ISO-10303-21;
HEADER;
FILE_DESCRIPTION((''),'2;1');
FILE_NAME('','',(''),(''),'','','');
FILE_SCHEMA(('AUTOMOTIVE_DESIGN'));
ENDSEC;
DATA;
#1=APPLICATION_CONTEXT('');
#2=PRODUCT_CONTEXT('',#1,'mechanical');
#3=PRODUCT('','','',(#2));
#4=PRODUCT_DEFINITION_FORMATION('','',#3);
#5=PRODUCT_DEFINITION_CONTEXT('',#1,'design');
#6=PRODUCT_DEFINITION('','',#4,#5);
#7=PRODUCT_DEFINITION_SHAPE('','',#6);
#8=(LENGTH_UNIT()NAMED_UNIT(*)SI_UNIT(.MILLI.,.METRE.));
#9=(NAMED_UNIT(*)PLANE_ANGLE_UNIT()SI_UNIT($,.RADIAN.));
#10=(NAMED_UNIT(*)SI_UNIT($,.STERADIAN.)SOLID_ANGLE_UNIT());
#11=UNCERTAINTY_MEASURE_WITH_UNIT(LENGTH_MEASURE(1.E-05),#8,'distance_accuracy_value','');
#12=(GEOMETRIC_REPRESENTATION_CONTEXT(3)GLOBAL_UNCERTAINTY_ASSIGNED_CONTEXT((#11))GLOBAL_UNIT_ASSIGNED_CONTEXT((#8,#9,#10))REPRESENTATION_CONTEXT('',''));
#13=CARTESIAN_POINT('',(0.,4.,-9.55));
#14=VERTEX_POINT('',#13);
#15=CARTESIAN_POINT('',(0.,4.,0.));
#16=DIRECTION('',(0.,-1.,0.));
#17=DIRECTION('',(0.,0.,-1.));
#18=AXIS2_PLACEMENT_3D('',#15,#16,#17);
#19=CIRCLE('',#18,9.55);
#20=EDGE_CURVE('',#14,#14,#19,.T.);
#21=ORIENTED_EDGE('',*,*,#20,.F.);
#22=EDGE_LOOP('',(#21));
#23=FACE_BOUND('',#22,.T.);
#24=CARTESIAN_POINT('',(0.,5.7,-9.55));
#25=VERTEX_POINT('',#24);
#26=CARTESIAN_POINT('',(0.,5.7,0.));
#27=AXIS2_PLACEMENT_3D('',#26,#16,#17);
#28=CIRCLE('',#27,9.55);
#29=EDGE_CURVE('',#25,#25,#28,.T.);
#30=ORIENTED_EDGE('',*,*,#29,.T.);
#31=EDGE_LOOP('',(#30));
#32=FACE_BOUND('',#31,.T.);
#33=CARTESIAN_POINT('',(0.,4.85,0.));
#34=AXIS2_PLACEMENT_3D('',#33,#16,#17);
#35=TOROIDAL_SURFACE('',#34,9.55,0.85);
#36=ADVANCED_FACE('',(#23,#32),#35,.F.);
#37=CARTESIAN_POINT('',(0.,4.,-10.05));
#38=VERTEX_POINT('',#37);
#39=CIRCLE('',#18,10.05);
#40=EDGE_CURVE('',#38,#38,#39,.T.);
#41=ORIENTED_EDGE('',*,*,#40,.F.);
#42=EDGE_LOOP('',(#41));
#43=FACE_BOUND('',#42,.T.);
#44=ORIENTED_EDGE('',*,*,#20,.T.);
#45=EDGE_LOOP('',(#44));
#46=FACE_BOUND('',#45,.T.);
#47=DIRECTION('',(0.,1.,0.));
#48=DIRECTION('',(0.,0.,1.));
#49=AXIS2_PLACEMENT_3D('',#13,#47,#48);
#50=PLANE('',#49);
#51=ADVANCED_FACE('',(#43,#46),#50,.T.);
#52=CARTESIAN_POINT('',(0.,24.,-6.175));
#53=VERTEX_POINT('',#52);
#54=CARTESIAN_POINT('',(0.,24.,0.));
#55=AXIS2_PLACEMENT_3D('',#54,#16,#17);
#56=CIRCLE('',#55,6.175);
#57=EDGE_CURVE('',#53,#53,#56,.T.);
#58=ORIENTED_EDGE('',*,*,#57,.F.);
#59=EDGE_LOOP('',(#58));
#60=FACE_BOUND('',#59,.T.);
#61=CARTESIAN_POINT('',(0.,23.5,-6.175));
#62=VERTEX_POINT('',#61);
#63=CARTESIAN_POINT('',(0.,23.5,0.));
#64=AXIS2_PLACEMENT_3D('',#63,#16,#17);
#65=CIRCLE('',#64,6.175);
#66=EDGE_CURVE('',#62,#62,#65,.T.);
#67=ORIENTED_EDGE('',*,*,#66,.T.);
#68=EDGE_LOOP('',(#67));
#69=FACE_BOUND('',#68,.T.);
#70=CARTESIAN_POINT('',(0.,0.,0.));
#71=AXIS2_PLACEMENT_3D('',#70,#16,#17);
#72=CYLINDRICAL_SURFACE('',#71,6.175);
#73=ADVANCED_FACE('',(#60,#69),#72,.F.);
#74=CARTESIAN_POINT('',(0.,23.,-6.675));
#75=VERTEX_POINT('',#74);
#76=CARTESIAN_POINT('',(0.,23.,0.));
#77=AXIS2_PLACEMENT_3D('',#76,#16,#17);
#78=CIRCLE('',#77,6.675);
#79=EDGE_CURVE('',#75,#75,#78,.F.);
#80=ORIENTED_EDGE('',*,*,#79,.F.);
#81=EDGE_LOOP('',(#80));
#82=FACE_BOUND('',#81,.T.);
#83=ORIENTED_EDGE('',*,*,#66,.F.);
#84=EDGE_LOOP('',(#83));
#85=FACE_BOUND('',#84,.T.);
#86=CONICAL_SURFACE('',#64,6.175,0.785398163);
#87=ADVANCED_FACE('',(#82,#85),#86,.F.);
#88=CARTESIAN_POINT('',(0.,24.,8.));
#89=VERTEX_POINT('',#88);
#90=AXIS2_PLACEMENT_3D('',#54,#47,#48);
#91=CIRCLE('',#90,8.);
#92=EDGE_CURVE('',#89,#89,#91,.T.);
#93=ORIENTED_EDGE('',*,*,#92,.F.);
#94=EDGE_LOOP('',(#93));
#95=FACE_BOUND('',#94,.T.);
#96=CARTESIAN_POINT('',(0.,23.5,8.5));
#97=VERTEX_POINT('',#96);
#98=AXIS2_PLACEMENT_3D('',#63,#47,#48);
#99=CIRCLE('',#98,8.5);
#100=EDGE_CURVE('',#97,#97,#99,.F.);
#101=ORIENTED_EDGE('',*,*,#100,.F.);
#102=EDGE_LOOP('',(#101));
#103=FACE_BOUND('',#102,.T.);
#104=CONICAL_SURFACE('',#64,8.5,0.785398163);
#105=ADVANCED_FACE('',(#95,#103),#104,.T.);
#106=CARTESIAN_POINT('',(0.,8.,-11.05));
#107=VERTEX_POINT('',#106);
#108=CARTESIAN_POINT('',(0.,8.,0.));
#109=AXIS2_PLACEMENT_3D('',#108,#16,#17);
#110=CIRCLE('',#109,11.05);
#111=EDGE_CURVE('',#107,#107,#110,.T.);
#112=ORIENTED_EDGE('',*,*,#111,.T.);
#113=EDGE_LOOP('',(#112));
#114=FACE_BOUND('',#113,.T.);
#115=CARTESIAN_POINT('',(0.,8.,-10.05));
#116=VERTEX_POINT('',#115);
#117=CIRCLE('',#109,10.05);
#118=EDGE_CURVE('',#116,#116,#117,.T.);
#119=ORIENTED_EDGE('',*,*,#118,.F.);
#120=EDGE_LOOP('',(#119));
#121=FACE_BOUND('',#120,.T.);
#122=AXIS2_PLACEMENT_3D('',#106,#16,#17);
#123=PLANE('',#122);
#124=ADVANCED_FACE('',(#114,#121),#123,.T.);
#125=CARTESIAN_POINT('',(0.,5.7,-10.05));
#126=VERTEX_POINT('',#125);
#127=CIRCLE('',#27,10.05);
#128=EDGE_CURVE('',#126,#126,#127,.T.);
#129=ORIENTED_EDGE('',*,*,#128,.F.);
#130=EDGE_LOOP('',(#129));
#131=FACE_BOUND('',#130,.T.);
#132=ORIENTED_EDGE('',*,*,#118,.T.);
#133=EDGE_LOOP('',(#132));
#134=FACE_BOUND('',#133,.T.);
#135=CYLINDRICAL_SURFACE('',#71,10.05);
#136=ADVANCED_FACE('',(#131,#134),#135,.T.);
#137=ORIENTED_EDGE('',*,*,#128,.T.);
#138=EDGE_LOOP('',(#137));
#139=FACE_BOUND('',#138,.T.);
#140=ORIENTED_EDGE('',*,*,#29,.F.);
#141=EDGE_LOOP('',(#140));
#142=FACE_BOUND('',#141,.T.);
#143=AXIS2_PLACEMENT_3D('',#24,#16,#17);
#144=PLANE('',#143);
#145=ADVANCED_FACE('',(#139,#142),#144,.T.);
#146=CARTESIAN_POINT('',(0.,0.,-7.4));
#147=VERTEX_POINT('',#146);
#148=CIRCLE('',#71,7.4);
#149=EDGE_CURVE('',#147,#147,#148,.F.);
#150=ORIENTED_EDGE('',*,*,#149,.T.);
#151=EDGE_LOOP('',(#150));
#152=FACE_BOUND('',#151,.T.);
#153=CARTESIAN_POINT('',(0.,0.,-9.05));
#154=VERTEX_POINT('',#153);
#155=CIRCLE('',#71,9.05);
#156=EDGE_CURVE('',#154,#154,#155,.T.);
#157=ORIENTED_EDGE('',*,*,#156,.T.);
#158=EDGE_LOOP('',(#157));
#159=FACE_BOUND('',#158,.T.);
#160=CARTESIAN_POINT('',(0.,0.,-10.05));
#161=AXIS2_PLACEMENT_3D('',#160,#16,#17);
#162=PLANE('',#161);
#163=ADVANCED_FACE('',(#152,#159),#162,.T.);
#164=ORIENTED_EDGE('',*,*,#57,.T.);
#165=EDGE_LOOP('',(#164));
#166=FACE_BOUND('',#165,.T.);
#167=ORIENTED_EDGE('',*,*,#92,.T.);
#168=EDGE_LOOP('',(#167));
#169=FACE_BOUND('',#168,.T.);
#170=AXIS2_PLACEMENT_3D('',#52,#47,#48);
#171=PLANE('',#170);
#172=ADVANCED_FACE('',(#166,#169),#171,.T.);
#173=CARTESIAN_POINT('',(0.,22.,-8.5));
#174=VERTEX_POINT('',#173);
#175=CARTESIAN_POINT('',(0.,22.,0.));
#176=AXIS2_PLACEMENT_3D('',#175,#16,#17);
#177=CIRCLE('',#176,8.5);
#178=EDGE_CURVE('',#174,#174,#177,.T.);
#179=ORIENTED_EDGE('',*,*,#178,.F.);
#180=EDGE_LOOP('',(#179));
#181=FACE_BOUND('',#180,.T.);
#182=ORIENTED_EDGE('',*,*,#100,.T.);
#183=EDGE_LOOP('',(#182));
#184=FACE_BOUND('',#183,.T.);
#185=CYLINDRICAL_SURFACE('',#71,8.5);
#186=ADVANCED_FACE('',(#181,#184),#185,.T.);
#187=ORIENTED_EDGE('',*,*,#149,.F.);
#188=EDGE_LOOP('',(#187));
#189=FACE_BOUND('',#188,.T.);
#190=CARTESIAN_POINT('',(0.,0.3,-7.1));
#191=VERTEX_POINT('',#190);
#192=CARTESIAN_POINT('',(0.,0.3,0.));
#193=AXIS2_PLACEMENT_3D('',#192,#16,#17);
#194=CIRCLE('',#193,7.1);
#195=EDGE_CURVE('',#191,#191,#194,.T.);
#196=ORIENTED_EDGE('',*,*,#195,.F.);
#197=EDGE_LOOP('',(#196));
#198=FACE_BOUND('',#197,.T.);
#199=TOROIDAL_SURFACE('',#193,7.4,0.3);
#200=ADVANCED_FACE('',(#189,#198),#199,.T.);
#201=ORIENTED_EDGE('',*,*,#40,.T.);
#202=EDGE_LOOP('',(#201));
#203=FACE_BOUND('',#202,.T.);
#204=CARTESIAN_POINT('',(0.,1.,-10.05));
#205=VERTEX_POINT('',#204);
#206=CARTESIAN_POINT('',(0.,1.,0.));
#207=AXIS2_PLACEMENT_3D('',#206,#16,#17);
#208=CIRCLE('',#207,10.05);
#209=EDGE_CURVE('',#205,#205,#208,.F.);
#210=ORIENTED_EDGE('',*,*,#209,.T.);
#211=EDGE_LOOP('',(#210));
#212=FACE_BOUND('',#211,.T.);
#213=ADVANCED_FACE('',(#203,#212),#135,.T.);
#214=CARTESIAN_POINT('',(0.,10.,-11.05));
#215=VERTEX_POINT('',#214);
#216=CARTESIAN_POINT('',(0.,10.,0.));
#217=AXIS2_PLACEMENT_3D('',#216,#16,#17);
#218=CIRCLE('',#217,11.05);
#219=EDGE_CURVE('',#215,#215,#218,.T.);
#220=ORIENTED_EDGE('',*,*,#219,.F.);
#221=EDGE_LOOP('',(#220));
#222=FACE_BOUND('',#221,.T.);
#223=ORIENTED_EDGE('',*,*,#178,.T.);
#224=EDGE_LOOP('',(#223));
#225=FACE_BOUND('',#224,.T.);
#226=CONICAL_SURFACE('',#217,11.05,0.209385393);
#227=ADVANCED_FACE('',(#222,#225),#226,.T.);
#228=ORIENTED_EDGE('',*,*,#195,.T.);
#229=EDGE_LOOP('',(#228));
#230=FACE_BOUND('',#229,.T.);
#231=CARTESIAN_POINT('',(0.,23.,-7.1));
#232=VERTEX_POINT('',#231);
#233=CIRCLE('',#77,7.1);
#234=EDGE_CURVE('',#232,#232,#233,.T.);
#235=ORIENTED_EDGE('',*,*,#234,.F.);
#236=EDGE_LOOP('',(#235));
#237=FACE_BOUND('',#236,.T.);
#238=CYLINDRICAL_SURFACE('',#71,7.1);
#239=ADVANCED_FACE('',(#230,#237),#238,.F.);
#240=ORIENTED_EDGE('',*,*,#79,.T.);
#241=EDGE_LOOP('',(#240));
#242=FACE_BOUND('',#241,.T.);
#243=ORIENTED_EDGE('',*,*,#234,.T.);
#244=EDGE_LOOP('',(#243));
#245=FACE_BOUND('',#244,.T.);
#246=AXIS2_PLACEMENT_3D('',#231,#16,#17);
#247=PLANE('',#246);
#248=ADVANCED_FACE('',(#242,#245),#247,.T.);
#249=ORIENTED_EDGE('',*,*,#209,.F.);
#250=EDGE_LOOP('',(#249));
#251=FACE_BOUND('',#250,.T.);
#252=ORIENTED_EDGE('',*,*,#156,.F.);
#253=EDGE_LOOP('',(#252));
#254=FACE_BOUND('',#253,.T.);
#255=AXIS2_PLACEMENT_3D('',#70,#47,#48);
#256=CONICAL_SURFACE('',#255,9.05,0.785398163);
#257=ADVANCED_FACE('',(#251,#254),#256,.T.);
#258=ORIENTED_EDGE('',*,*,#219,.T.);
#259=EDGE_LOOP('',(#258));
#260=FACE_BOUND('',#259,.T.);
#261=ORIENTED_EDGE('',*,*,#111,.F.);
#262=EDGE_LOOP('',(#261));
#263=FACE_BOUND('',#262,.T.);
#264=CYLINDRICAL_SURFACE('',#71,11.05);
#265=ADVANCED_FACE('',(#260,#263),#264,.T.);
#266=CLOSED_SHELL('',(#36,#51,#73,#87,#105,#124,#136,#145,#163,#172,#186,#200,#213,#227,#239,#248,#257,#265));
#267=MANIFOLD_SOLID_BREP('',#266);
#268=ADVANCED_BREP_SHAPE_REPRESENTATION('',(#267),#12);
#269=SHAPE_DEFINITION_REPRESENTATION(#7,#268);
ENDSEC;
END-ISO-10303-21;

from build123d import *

# Parameters (mm, degrees)
CHAMFER_1_SIZE = 1
CHAMFER_2_SIZE = 0.5
FILLET_1_R     = 0.3
CHAMFER_3_SIZE = 0.5


with BuildPart() as part:
    # 스케치1 → 회전1 (revolve)
    with BuildSketch(Plane(origin=(0, 0, 0), x_dir=(0, 0, -1), z_dir=(1, 0, 0))):
        with BuildLine():
            Line((7.1, 0), (7.1, 23))
            Line((7.1, 23), (6.175, 23))
            Line((6.175, 23), (6.175, 24))
            Line((6.175, 24), (8.5, 24))
            Line((8.5, 24), (8.5, 22))
            Line((8.5, 22), (11.05, 10))
            Line((11.05, 10), (11.05, 8))
            Line((11.05, 8), (10.05, 8))
            Line((10.05, 8), (10.05, 5.7))
            Line((10.05, 5.7), (9.55, 5.7))
            ThreePointArc((9.55, 5.7), (8.7, 4.85), (9.55, 4))
            Line((9.55, 4), (10.05, 4))
            Line((10.05, 4), (10.05, 0))
            Line((10.05, 0), (7.1, 0))
        make_face()
    revolve(axis=Axis((0, 0, 0), (0, 1, 0)))

    # 모따기1
    chamfer_1_edges = [part.edges().sort_by_distance(p)[0] for p in [
        (0, 0, 10.05),
    ]]
    chamfer(chamfer_1_edges, length=CHAMFER_1_SIZE)

    # 모따기2
    chamfer_2_edges = [part.edges().sort_by_distance(p)[0] for p in [
        (0, 24, 8.5),
    ]]
    chamfer(chamfer_2_edges, length=CHAMFER_2_SIZE)

    # 필렛1
    fillet_1_edges = [part.edges().sort_by_distance(p)[0] for p in [
        (0, 0, 7.1),
    ]]
    fillet(fillet_1_edges, radius=FILLET_1_R)

    # 모따기3
    chamfer_3_edges = [part.edges().sort_by_distance(p)[0] for p in [
        (0, 23, 6.175),
    ]]
    chamfer(chamfer_3_edges, length=CHAMFER_3_SIZE)


solid = part.part
